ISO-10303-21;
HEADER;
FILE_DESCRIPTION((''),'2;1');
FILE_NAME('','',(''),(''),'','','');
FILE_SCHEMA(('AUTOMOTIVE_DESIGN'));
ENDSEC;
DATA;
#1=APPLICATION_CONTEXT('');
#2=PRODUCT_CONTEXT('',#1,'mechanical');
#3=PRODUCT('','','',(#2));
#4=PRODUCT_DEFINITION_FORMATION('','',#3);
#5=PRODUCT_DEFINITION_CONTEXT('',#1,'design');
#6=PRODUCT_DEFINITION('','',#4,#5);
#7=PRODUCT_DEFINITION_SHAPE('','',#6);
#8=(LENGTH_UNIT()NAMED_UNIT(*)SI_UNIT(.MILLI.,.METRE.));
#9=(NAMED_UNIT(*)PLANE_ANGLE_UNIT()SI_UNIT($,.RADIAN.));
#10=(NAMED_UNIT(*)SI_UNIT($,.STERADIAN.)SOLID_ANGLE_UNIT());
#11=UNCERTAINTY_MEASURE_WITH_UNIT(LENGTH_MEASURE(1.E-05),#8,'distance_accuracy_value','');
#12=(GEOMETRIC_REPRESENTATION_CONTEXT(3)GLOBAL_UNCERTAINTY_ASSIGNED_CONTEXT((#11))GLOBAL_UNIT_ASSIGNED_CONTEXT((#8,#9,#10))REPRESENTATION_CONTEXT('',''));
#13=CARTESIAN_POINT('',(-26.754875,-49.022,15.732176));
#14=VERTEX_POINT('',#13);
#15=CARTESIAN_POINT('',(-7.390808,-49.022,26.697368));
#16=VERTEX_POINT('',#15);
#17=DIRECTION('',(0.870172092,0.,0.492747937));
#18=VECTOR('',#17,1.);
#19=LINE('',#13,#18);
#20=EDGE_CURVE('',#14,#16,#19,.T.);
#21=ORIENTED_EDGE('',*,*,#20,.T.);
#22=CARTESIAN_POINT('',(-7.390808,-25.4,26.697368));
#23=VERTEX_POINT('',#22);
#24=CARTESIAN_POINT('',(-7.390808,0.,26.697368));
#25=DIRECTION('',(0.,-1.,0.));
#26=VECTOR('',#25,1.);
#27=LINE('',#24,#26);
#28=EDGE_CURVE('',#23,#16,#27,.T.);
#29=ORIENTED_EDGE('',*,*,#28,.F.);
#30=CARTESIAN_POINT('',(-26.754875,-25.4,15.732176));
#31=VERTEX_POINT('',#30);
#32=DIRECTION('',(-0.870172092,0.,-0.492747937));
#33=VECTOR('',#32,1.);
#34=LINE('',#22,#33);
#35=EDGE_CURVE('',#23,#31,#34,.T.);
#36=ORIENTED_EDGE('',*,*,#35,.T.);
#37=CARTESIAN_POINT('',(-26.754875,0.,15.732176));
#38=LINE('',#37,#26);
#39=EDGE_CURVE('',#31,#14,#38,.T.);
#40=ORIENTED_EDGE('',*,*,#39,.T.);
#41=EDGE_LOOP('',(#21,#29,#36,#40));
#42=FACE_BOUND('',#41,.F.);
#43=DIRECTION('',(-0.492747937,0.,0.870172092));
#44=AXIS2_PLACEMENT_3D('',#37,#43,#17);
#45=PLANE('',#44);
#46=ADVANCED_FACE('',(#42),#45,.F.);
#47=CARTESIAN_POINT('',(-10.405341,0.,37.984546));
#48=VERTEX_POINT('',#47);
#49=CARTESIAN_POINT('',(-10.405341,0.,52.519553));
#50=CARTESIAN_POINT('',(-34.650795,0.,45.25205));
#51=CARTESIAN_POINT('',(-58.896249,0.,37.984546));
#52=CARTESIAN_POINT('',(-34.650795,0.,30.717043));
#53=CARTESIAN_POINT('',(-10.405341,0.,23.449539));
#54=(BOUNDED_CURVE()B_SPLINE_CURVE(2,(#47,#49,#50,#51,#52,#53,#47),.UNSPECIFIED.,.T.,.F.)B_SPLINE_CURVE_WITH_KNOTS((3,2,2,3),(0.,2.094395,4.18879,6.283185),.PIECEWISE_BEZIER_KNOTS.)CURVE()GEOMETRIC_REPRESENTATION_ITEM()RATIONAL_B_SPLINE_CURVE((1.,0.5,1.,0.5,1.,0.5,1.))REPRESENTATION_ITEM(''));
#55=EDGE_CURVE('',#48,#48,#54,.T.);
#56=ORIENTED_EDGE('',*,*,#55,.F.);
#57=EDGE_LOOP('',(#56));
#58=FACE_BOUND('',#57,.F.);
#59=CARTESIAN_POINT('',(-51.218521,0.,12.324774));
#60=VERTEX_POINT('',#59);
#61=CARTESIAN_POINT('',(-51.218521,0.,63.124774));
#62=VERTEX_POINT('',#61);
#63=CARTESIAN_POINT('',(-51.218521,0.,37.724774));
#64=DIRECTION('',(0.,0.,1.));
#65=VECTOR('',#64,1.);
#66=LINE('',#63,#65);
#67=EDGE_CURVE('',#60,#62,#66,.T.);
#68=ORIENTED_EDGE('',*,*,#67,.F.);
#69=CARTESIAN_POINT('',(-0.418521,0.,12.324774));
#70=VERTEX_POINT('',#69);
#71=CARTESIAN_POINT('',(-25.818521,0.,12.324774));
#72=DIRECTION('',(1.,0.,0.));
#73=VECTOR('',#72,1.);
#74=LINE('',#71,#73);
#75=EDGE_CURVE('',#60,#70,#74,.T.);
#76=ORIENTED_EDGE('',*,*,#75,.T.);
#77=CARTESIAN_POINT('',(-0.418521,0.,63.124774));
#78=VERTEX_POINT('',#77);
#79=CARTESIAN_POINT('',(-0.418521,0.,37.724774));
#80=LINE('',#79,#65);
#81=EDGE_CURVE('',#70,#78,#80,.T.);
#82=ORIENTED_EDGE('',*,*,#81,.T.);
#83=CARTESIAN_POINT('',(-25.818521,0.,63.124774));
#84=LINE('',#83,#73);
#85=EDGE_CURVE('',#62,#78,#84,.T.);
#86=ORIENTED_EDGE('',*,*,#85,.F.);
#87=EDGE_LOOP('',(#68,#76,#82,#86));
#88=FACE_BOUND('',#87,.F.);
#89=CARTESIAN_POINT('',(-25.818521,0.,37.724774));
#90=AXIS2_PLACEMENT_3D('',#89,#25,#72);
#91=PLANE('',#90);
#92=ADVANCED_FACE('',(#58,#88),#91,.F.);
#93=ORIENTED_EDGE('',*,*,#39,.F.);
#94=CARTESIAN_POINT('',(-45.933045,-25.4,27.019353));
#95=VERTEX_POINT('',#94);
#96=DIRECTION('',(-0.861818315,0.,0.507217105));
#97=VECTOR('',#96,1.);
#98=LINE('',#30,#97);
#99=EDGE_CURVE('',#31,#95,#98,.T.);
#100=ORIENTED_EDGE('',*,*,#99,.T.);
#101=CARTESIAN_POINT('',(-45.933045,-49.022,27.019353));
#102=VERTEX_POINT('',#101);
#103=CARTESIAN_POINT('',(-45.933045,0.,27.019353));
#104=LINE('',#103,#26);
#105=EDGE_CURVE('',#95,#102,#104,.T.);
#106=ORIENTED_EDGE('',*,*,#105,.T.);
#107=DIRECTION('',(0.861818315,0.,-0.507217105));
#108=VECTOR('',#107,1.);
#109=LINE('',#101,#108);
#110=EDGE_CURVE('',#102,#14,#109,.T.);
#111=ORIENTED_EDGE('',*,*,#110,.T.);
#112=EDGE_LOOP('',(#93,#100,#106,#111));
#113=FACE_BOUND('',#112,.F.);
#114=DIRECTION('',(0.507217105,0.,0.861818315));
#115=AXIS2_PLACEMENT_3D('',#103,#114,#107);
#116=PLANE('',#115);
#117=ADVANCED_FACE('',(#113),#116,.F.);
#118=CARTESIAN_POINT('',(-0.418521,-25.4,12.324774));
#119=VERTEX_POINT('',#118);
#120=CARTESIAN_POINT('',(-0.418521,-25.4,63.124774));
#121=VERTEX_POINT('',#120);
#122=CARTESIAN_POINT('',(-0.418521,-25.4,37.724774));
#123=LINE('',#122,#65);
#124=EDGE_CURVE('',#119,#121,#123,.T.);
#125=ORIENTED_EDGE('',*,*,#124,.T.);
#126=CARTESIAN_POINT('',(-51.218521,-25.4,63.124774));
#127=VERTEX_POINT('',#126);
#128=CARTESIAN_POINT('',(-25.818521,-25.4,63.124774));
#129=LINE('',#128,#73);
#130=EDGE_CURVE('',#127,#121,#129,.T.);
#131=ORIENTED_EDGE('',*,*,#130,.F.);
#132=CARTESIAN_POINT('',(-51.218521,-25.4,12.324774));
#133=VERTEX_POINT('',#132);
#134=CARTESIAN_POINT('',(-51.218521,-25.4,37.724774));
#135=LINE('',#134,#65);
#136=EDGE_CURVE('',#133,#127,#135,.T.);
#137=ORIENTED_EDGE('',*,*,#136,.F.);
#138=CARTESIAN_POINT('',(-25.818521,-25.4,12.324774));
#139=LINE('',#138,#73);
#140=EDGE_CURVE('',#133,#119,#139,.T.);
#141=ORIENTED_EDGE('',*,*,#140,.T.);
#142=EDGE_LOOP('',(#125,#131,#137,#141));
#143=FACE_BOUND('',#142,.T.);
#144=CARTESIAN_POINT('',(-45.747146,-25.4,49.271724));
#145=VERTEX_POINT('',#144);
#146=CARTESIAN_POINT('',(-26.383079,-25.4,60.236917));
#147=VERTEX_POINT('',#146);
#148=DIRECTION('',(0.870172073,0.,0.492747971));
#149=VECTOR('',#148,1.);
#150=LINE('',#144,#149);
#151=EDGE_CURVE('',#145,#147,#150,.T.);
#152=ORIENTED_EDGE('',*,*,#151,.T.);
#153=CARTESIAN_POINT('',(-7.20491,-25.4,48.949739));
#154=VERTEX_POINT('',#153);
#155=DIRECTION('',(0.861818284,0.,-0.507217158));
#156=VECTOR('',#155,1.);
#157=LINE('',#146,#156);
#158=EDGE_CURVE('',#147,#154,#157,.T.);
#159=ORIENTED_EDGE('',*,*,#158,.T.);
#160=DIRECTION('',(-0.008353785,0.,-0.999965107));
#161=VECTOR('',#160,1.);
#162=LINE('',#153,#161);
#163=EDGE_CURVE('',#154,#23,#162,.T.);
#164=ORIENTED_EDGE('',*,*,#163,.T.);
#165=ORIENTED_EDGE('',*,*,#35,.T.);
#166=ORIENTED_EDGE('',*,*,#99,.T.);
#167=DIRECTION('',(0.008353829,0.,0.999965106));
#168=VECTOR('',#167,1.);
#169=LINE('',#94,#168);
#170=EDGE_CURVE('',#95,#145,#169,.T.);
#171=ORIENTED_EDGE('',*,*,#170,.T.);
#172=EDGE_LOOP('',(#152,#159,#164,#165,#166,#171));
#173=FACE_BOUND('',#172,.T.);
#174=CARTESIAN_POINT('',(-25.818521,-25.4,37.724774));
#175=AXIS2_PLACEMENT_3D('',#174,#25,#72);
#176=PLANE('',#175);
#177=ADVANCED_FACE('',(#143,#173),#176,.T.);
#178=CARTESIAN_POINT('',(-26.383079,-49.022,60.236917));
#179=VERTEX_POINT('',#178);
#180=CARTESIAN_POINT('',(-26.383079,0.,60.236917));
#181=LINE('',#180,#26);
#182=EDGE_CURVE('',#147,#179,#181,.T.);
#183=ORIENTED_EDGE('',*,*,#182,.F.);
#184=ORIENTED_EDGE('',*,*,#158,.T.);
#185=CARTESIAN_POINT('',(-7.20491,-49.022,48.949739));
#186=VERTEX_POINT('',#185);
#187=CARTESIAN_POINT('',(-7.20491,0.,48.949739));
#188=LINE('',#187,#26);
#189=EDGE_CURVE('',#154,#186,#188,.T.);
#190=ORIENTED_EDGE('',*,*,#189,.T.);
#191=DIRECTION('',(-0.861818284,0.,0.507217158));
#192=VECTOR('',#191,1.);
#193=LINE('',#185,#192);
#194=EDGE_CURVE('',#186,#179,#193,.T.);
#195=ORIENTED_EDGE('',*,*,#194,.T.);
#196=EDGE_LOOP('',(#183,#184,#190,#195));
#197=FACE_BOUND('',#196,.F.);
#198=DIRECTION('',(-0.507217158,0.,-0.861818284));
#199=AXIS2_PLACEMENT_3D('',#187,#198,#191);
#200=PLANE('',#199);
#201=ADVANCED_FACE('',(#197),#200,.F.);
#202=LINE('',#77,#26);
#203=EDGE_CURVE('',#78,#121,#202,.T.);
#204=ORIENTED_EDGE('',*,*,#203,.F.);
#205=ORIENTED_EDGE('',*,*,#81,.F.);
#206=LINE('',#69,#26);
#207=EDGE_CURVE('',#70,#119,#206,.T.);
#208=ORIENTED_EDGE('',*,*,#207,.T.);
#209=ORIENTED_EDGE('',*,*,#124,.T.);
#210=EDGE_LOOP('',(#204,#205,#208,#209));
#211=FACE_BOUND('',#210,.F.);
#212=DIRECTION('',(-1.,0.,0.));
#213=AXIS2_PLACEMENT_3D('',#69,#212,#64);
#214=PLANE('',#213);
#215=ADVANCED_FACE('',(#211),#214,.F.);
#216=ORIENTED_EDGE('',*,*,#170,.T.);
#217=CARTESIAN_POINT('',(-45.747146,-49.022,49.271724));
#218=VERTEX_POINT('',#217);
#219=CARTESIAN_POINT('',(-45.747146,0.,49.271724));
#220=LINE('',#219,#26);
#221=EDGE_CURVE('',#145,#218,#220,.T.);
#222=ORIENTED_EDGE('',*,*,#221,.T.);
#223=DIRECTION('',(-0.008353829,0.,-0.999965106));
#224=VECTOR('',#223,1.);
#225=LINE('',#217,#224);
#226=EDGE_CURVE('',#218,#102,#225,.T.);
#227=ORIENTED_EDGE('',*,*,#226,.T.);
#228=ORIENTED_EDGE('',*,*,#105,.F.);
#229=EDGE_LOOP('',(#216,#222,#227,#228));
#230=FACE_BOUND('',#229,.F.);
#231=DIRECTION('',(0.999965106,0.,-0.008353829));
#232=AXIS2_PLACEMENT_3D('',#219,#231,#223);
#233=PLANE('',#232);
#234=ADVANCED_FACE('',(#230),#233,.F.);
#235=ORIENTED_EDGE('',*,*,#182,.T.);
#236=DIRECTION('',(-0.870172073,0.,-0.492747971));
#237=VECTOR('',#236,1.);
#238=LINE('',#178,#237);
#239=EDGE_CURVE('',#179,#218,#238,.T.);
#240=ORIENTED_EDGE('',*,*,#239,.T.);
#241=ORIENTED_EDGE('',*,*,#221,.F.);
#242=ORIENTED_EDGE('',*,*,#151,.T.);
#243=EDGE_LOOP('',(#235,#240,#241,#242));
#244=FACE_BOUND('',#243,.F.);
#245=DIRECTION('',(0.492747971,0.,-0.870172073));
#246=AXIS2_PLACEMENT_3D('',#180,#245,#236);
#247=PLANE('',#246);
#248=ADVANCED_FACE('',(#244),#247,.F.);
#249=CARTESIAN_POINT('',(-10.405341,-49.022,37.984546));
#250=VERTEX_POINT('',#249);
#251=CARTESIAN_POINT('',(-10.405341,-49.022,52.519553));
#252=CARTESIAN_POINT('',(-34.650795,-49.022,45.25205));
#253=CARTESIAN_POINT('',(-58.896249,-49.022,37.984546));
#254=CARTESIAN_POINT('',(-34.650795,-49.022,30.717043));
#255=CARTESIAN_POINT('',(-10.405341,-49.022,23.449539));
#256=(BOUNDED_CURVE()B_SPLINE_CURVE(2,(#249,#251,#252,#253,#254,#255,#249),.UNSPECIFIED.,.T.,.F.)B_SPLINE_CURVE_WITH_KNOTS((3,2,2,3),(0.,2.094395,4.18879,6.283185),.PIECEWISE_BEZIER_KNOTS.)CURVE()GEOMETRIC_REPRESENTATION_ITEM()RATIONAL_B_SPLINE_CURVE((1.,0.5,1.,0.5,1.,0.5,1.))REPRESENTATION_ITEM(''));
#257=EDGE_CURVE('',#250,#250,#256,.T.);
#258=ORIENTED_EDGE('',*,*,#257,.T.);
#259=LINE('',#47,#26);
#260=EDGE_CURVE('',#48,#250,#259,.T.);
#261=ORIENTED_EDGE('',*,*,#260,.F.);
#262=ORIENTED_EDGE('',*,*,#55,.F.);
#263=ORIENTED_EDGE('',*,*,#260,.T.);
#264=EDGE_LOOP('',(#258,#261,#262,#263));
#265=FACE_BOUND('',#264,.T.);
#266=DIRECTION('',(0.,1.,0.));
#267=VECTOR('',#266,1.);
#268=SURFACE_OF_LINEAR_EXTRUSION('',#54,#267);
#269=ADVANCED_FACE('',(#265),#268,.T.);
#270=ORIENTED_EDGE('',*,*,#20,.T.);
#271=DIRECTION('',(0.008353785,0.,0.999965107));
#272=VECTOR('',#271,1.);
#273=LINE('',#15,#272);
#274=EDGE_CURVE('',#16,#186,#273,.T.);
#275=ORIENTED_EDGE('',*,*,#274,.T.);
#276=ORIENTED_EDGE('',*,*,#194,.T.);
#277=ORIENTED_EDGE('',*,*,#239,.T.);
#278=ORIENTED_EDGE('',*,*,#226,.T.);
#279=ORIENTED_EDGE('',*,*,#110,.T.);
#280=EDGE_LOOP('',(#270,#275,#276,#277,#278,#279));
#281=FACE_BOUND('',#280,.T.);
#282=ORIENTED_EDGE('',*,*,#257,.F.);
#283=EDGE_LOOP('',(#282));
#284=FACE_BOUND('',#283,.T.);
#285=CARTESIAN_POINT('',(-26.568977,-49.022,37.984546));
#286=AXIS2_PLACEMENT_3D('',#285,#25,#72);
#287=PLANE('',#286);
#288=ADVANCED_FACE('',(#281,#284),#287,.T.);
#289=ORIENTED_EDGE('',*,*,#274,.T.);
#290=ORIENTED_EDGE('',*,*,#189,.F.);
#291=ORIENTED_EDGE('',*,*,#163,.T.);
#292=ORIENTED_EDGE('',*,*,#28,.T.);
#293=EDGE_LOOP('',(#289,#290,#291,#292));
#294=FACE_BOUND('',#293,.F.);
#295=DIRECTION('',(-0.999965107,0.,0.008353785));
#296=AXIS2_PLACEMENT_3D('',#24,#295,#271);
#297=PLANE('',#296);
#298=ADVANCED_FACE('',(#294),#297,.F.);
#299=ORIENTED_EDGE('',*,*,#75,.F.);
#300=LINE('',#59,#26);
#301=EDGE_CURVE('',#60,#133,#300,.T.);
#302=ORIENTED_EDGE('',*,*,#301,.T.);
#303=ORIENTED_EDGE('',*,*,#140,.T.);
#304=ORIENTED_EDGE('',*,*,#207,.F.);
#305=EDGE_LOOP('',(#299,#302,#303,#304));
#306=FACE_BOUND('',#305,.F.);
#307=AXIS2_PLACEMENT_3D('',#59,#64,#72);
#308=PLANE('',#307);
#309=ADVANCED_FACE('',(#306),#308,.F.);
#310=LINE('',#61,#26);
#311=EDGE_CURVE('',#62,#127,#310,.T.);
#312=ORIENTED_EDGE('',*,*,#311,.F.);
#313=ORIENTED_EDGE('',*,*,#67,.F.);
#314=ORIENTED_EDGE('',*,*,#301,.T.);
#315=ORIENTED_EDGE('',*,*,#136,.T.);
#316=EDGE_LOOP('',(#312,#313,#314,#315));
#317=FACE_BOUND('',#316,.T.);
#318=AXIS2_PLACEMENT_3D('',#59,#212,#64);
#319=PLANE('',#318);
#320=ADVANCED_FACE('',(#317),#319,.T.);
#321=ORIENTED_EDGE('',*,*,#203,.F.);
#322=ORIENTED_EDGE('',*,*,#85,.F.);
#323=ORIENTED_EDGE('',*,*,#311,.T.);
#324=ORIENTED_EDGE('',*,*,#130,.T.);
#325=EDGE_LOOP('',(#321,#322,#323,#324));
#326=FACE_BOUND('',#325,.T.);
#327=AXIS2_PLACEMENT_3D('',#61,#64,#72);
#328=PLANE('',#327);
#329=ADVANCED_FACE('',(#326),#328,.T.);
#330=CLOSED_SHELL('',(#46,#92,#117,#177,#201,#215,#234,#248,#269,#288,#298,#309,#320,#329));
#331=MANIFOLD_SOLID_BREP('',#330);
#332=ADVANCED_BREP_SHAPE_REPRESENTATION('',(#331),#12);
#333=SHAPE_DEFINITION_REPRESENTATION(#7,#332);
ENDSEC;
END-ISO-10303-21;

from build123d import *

# Parameters (mm, degrees)
F0_W     = 50.8
F0_H     = 50.8
F1_DEPTH = 25.4
F2_DEPTH = 49.022


with BuildPart() as f1:
    # F0 (on Front) → F1 (new body)
    with BuildSketch(Plane.XZ):
        with Locations((-25.818521, 37.724774)):
            Rectangle(F0_W, F0_H)
        Polygon((-7.20491, 48.949739), (-7.390808, 26.697368), (-26.754875, 15.732176), (-45.933045, 27.019353), (-45.747146, 49.271724), (-26.383079, 60.236917), align=None, mode=Mode.SUBTRACT)
    extrude(amount=F1_DEPTH)

    # F0 (on Front) → F2 (join)
    with BuildSketch(Plane.XZ):
        Polygon((-26.754875, 15.732176), (-7.390808, 26.697368), (-7.20491, 48.949739), (-26.383079, 60.236917), (-45.747146, 49.271724), (-45.933045, 27.019353), align=None)
        with BuildLine():
            add(Edge.make_bspline(
                [(-10.405341, 37.984546), (-10.405341, 52.519553), (-34.650795, 45.25205), (-58.896249, 37.984546), (-34.650795, 30.717043), (-10.405341, 23.449539), (-10.405341, 37.984546)],
                knots=[0, 0, 0, 2.094395, 2.094395, 4.18879, 4.18879, 6.283185, 6.283185, 6.283185], degree=2, weights=[1, 0.5, 1, 0.5, 1, 0.5, 1]))
        make_face(mode=Mode.SUBTRACT)
    extrude(amount=F2_DEPTH)


solid = f1.part
